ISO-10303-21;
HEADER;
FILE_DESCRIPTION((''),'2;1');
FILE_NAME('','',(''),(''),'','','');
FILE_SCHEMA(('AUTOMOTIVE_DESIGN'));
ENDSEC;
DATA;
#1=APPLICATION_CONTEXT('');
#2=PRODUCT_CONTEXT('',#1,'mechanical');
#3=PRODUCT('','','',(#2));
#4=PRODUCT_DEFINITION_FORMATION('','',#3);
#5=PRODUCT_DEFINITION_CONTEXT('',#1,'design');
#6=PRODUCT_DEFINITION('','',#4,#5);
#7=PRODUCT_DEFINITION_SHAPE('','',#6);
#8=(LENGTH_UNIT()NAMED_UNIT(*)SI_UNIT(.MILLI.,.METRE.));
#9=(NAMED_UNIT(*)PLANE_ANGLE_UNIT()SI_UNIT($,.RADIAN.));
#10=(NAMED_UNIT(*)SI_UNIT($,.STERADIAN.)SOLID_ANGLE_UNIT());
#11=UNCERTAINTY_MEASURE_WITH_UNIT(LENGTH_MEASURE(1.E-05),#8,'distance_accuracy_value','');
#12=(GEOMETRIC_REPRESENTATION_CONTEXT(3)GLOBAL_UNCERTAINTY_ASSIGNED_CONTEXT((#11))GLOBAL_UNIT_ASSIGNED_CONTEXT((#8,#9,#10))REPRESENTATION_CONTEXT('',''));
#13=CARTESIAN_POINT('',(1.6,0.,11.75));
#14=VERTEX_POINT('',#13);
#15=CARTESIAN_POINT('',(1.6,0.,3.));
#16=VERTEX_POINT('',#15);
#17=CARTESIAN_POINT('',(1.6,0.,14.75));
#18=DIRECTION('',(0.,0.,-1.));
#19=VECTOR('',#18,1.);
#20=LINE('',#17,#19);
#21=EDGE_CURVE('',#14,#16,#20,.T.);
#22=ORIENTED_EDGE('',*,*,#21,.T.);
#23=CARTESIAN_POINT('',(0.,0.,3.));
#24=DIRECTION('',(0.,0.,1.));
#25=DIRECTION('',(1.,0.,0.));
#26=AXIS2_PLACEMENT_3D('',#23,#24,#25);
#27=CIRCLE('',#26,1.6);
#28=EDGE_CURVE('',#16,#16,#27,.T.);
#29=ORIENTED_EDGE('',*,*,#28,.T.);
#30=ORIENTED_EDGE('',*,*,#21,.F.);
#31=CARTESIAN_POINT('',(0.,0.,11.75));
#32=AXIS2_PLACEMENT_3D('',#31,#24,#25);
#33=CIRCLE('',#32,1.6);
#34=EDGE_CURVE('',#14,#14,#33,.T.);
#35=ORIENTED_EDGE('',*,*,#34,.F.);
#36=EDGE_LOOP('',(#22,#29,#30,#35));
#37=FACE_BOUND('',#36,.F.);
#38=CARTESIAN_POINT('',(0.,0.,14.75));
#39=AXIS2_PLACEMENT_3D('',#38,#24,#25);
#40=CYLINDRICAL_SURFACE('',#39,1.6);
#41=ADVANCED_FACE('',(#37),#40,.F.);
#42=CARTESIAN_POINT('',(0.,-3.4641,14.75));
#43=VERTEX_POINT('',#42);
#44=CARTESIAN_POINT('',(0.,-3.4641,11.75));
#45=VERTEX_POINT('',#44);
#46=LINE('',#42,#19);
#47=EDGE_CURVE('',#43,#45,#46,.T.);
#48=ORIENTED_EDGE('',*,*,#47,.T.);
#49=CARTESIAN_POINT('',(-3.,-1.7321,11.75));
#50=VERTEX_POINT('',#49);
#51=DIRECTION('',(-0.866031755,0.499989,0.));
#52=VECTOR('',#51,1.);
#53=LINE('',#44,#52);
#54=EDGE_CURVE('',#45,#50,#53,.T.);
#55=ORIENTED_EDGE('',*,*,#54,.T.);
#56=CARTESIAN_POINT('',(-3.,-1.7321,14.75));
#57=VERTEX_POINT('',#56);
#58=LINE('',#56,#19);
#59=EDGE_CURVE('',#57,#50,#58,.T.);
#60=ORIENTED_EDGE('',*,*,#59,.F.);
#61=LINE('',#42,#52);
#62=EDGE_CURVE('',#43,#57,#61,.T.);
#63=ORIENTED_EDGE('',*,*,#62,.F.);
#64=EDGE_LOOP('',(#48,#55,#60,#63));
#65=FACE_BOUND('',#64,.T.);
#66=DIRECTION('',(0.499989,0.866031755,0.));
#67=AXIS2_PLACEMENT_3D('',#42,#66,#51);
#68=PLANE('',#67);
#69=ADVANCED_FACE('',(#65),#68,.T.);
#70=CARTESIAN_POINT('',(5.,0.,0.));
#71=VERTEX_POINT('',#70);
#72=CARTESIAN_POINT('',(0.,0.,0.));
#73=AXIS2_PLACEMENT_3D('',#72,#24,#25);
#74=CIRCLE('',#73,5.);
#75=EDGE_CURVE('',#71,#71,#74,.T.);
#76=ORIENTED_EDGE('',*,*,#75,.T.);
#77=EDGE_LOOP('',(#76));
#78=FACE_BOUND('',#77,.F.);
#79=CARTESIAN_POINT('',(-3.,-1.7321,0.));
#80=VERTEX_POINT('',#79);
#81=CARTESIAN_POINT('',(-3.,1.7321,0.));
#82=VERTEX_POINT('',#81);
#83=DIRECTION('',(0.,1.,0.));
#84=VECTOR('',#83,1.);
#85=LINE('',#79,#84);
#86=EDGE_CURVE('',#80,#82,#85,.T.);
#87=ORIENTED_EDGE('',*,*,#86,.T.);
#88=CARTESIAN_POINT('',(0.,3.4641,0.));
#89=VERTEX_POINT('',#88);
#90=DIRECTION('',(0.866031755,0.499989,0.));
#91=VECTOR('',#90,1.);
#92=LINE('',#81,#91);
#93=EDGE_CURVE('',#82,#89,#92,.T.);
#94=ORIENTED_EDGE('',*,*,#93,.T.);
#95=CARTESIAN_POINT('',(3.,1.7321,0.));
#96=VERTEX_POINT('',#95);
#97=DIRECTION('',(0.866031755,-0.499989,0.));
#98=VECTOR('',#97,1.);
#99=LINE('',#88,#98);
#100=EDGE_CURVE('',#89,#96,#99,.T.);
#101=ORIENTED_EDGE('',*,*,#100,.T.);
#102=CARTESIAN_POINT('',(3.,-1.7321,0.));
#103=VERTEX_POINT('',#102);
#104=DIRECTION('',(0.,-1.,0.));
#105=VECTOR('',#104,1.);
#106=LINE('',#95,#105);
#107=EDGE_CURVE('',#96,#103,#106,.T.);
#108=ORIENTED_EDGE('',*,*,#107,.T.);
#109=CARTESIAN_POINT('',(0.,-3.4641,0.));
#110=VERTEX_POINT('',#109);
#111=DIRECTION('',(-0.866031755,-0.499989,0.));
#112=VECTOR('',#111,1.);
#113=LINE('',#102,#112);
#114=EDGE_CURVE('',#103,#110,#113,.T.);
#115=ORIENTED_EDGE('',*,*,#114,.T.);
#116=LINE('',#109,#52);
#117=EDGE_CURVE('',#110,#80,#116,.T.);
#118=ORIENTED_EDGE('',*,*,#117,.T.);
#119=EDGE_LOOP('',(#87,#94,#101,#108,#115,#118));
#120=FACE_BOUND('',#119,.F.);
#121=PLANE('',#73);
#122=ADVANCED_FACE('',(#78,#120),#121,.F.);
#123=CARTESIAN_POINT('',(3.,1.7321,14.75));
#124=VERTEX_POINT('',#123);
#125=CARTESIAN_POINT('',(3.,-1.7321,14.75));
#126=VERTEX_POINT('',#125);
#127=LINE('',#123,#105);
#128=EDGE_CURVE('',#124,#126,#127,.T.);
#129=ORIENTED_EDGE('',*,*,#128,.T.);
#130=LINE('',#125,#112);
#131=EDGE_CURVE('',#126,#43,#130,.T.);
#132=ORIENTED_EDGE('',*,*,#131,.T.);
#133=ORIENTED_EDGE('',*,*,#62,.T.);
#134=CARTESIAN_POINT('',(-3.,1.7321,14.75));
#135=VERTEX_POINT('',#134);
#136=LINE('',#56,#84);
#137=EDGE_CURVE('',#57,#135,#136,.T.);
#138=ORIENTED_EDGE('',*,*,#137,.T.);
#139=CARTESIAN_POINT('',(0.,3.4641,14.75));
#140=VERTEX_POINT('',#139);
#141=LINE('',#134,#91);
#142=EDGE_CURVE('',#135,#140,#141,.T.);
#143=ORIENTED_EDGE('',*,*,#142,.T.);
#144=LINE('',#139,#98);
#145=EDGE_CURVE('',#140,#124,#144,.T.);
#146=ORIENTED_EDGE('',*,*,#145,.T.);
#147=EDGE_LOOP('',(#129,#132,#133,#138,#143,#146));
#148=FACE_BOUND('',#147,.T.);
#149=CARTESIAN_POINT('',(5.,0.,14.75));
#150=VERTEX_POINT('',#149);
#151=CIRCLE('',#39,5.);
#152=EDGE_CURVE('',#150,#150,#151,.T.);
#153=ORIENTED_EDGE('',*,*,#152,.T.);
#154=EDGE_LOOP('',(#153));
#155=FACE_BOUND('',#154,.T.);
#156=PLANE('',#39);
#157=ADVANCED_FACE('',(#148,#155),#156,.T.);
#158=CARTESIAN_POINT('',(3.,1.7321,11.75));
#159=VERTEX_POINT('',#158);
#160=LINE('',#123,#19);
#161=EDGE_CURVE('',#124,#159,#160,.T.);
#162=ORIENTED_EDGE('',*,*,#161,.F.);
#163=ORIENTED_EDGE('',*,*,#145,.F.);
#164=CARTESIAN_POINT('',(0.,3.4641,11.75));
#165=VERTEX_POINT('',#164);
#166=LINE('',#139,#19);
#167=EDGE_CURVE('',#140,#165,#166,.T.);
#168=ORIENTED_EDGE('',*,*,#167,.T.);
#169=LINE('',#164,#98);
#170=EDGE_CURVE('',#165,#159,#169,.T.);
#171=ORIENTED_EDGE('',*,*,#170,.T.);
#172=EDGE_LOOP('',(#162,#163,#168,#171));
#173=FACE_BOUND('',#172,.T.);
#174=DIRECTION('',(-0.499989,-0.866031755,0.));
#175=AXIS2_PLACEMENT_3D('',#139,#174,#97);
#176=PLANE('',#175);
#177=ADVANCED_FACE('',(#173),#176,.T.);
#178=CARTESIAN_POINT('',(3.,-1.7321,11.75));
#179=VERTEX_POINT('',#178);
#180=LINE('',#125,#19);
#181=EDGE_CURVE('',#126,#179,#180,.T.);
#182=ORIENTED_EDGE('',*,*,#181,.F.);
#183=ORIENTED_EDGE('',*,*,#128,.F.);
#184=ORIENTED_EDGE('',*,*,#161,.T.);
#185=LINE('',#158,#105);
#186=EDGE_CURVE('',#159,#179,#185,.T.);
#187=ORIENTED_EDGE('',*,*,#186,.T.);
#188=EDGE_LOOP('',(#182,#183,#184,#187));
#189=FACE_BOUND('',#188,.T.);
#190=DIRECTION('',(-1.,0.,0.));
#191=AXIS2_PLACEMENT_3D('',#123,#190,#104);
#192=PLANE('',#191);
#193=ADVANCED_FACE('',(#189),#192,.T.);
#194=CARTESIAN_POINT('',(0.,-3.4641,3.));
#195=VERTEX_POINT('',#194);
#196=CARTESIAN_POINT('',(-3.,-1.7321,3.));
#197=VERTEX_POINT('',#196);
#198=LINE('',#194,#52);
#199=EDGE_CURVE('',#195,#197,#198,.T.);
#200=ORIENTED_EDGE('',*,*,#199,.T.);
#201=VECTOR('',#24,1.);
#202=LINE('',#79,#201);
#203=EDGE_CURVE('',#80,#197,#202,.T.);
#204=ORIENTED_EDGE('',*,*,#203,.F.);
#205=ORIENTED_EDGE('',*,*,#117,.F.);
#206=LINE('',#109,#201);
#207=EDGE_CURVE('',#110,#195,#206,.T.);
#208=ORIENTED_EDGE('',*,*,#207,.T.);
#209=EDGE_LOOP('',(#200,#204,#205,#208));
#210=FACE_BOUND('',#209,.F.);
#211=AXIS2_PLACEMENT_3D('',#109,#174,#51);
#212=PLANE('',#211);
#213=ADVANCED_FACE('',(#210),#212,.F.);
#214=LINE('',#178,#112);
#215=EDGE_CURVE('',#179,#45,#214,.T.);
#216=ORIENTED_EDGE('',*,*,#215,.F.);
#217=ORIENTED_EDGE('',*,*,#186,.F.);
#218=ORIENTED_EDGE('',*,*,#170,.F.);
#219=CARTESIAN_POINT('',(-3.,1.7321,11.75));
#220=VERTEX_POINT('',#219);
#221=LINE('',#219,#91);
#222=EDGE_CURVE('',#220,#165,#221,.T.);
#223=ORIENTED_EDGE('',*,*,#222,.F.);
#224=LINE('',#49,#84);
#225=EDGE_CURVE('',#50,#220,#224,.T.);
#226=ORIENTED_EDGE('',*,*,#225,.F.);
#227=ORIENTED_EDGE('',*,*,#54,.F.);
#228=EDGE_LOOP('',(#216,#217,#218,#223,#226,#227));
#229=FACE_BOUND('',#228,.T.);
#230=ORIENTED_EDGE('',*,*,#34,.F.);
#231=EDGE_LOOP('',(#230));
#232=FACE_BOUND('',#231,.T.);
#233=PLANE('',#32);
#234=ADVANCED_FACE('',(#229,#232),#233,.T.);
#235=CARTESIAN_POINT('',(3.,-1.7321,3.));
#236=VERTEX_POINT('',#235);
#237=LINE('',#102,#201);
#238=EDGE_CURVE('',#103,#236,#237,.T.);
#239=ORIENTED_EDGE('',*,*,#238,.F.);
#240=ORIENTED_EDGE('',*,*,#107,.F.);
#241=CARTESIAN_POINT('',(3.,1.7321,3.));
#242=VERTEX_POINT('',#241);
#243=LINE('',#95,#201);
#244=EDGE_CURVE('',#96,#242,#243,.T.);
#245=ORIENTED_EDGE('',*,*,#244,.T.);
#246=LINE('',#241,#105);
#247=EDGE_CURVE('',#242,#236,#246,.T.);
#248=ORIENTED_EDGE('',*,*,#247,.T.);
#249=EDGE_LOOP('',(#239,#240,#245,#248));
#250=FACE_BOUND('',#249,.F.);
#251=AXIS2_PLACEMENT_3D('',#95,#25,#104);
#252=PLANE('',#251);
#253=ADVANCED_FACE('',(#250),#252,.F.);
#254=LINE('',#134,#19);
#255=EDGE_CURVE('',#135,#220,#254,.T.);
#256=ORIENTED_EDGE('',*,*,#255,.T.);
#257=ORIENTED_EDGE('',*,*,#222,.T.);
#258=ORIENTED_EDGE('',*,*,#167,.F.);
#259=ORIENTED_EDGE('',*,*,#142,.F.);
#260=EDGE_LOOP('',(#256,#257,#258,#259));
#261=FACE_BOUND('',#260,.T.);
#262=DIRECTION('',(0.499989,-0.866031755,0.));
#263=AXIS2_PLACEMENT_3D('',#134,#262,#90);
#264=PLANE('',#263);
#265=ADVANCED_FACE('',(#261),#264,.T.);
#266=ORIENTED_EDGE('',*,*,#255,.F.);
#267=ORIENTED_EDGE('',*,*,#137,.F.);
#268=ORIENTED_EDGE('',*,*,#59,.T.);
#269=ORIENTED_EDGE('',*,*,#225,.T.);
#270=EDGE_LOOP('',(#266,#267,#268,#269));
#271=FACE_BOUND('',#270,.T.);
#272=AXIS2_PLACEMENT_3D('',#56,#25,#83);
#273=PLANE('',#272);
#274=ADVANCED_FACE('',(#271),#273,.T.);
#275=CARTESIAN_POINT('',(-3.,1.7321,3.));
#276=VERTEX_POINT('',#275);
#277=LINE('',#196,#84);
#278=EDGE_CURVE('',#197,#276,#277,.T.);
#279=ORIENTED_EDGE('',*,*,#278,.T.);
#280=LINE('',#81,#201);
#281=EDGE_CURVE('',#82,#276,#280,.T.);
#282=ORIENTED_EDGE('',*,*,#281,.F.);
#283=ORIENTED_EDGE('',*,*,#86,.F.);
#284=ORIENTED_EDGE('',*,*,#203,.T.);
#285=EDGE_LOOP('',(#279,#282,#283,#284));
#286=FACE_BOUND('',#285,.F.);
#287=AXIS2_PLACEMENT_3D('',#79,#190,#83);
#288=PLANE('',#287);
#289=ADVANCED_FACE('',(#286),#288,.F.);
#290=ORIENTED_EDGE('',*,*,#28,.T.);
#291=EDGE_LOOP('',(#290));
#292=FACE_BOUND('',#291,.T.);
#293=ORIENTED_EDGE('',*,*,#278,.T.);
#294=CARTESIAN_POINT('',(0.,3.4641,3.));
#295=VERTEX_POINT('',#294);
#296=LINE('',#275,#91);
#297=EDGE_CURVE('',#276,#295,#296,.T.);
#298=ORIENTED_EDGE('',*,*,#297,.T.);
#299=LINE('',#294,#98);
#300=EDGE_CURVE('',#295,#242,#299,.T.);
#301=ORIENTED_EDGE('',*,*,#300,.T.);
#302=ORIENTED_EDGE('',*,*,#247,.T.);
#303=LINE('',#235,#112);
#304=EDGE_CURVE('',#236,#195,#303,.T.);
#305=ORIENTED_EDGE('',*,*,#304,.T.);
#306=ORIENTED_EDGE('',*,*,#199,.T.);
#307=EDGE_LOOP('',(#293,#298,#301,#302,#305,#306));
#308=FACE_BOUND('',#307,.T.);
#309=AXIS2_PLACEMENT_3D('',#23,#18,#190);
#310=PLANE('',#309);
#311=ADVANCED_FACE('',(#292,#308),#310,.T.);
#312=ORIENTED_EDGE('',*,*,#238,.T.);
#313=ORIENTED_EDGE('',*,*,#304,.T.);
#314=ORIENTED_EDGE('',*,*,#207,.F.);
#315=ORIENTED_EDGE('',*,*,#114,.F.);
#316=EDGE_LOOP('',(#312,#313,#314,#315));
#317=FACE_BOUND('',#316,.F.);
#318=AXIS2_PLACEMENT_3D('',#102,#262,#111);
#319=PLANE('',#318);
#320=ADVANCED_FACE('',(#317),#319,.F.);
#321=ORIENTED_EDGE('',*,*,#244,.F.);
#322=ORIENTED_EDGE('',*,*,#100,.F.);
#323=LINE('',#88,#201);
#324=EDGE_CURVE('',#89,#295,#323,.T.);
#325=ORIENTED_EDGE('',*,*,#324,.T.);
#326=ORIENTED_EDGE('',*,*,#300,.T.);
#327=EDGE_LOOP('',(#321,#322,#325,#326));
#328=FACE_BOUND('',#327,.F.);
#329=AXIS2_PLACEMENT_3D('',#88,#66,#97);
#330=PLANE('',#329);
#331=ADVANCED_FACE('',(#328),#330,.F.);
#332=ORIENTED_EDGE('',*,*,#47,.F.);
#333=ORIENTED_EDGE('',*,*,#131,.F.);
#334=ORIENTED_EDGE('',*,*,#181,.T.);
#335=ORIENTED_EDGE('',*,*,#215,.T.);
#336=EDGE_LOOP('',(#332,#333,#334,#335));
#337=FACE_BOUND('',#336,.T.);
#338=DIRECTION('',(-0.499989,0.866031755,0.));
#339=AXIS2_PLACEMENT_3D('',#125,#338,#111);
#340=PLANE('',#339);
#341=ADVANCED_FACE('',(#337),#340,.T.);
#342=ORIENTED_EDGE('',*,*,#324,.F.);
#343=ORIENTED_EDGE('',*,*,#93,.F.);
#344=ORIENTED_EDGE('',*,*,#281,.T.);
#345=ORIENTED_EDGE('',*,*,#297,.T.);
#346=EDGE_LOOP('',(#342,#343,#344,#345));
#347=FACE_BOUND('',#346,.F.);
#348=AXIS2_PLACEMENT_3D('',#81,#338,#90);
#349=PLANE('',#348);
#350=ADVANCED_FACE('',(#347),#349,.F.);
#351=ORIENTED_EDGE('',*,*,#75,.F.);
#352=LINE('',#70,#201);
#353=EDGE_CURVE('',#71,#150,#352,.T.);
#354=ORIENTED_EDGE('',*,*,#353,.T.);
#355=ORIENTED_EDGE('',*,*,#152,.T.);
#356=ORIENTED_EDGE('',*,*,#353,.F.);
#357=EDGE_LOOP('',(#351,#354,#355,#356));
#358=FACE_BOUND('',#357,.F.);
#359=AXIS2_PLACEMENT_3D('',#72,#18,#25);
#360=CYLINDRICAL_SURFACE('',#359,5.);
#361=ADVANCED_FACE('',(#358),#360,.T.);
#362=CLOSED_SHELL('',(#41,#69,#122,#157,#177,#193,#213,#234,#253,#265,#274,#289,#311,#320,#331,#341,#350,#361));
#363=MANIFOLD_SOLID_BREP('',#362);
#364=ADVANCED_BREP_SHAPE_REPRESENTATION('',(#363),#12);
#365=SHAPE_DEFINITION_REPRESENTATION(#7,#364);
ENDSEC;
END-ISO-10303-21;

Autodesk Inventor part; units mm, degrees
ref_plane "YZ Plane" through (0, 0, 0) normal (1, 0, 0) x (0, 1, 0)
ref_plane "XZ Plane" through (0, 0, 0) normal (0, 1, 0) x (-1, 0, 0)
ref_plane "XY Plane" through (0, 0, 0) normal (0, 0, 1) x (1, 0, 0)
sketch "Sketch1" plane through (0, 0, 0) normal (0, 0, 1) x (1, 0, 0)
  circle A0 centre (0, 0) radius 5
  dimension "d0" = 10
extrude "Extrusion1" add sketch "Sketch1" along normal blind 14.75
sketch "Sketch2" plane through (0, 0, 14.75) normal (0, 0, 1) x (1, 0, 0)
  circle A0 centre (0, 0) radius 1.6
  dimension "d3" = 3.2
extrude "Extrusion2" cut sketch "Sketch2" against normal blind 14.75
sketch "Sketch3" plane through (0, 0, 14.75) normal (0, 0, 1) x (1, 0, 0)
  line L0 (0, 3.4641) -> (3, 1.7321)
  line L1 (3, 1.7321) -> (3, -1.7321)
  line L2 (3, -1.7321) -> (0, -3.4641)
  line L3 (0, -3.4641) -> (-3, -1.7321)
  line L4 (-3, -1.7321) -> (-3, 1.7321)
  line L5 (-3, 1.7321) -> (0, 3.4641)
  point P0 (0, 0)
  point P1 (0, 0)
  dimension "d6" = 6
extrude "Extrusion3" cut sketch "Sketch3" against normal blind 3
sketch "Sketch4" plane through (0, 0, 0) normal (0, 0, -1) x (-1, 0, 0)
  circle A0 centre (0, 0) radius 1.6 projected
  line L0 (0, 3.4641) -> (-3, 1.7321) projected
  line L1 (3, 1.7321) -> (0, 3.4641) projected
  line L2 (3, -1.7321) -> (3, 1.7321) projected
  line L3 (0, -3.4641) -> (3, -1.7321) projected
  line L4 (-3, -1.7321) -> (0, -3.4641) projected
  line L5 (-3, 1.7321) -> (-3, -1.7321) projected
extrude "Extrusion4" cut sketch "Sketch4" against normal blind 3
properties part number "post"
